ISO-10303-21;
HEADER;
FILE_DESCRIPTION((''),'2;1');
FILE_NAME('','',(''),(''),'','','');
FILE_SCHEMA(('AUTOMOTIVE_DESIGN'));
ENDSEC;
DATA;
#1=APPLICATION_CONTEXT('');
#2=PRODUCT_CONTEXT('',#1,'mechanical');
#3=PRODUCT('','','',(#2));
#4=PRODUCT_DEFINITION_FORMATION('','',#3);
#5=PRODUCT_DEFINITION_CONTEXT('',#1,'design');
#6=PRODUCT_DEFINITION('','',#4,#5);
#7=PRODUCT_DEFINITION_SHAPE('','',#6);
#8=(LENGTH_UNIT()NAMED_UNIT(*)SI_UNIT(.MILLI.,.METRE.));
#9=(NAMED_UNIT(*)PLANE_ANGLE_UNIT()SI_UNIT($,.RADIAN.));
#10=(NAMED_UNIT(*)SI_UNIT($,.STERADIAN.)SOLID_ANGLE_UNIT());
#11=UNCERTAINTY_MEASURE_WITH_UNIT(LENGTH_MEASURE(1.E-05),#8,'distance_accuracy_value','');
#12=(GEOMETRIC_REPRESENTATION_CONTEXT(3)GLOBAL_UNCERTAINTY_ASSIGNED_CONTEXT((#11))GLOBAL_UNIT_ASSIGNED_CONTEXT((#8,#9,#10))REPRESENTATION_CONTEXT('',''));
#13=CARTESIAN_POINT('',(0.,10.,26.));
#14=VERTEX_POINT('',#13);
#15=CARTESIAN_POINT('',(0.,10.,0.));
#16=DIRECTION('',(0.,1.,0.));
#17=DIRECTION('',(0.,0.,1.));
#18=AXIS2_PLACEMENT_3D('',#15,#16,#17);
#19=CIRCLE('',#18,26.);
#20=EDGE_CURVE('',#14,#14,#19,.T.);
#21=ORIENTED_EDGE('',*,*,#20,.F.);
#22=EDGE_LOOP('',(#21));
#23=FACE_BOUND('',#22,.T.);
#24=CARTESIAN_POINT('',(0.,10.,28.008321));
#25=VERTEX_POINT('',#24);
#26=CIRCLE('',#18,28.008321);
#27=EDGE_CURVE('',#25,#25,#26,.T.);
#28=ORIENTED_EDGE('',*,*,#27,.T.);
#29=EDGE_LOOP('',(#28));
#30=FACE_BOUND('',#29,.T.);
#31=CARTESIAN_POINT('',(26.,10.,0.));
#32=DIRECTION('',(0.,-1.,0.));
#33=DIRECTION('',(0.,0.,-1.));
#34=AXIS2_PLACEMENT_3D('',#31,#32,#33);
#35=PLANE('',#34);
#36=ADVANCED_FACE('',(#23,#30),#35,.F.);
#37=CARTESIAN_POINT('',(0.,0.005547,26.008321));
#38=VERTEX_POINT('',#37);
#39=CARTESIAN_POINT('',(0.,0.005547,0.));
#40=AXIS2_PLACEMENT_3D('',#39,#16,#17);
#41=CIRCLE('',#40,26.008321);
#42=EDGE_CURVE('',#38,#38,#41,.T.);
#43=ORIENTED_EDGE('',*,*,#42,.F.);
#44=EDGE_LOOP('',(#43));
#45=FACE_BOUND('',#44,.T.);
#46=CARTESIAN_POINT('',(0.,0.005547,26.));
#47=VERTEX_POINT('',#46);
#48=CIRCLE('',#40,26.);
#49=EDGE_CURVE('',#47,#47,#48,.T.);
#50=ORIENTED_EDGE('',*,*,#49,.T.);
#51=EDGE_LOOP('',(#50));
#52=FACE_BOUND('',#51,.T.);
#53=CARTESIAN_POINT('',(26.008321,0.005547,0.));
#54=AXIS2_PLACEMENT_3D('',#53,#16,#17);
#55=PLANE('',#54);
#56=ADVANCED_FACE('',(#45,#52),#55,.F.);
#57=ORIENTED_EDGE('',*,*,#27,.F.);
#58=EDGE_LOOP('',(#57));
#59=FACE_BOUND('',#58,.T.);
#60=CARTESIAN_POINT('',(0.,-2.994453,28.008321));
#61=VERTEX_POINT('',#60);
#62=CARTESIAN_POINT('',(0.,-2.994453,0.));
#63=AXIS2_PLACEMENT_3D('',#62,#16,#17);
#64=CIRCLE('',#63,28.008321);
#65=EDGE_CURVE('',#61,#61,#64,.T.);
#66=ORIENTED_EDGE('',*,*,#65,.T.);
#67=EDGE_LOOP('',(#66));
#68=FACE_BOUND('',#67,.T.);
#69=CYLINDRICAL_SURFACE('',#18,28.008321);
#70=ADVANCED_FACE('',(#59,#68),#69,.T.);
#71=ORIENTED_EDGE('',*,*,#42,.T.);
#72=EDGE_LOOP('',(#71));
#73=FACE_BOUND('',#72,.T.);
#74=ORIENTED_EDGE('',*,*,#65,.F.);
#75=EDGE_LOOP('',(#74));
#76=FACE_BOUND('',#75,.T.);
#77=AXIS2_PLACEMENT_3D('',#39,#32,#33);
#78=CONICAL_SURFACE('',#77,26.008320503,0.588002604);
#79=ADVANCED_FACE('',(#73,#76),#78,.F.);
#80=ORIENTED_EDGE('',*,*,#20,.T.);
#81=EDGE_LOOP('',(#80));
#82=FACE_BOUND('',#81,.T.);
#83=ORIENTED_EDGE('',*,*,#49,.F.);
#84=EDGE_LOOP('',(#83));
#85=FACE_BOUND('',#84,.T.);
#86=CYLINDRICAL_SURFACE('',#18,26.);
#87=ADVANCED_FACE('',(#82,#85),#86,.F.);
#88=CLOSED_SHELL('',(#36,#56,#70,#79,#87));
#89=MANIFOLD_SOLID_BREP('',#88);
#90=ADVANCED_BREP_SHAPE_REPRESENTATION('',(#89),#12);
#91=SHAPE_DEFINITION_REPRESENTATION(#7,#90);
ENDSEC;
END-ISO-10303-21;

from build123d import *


with BuildPart() as part:
    # Эскиз1 → Повернуть1 (revolve)
    with BuildSketch(Plane.XY, mode=Mode.PRIVATE) as revolve_1_sk:
        Polygon((26.008320503, 0.005547002), (26, 0.005547002), (26, 10), (28.008320503, 10), (28.008320503, -2.994452998), align=None)
    revolve(revolve_1_sk.sketch.rotate(Axis((0, 10, 0), (0, -1, 0)), 90), axis=Axis((0, 10, 0), (0, -1, 0)))


solid = part.part
